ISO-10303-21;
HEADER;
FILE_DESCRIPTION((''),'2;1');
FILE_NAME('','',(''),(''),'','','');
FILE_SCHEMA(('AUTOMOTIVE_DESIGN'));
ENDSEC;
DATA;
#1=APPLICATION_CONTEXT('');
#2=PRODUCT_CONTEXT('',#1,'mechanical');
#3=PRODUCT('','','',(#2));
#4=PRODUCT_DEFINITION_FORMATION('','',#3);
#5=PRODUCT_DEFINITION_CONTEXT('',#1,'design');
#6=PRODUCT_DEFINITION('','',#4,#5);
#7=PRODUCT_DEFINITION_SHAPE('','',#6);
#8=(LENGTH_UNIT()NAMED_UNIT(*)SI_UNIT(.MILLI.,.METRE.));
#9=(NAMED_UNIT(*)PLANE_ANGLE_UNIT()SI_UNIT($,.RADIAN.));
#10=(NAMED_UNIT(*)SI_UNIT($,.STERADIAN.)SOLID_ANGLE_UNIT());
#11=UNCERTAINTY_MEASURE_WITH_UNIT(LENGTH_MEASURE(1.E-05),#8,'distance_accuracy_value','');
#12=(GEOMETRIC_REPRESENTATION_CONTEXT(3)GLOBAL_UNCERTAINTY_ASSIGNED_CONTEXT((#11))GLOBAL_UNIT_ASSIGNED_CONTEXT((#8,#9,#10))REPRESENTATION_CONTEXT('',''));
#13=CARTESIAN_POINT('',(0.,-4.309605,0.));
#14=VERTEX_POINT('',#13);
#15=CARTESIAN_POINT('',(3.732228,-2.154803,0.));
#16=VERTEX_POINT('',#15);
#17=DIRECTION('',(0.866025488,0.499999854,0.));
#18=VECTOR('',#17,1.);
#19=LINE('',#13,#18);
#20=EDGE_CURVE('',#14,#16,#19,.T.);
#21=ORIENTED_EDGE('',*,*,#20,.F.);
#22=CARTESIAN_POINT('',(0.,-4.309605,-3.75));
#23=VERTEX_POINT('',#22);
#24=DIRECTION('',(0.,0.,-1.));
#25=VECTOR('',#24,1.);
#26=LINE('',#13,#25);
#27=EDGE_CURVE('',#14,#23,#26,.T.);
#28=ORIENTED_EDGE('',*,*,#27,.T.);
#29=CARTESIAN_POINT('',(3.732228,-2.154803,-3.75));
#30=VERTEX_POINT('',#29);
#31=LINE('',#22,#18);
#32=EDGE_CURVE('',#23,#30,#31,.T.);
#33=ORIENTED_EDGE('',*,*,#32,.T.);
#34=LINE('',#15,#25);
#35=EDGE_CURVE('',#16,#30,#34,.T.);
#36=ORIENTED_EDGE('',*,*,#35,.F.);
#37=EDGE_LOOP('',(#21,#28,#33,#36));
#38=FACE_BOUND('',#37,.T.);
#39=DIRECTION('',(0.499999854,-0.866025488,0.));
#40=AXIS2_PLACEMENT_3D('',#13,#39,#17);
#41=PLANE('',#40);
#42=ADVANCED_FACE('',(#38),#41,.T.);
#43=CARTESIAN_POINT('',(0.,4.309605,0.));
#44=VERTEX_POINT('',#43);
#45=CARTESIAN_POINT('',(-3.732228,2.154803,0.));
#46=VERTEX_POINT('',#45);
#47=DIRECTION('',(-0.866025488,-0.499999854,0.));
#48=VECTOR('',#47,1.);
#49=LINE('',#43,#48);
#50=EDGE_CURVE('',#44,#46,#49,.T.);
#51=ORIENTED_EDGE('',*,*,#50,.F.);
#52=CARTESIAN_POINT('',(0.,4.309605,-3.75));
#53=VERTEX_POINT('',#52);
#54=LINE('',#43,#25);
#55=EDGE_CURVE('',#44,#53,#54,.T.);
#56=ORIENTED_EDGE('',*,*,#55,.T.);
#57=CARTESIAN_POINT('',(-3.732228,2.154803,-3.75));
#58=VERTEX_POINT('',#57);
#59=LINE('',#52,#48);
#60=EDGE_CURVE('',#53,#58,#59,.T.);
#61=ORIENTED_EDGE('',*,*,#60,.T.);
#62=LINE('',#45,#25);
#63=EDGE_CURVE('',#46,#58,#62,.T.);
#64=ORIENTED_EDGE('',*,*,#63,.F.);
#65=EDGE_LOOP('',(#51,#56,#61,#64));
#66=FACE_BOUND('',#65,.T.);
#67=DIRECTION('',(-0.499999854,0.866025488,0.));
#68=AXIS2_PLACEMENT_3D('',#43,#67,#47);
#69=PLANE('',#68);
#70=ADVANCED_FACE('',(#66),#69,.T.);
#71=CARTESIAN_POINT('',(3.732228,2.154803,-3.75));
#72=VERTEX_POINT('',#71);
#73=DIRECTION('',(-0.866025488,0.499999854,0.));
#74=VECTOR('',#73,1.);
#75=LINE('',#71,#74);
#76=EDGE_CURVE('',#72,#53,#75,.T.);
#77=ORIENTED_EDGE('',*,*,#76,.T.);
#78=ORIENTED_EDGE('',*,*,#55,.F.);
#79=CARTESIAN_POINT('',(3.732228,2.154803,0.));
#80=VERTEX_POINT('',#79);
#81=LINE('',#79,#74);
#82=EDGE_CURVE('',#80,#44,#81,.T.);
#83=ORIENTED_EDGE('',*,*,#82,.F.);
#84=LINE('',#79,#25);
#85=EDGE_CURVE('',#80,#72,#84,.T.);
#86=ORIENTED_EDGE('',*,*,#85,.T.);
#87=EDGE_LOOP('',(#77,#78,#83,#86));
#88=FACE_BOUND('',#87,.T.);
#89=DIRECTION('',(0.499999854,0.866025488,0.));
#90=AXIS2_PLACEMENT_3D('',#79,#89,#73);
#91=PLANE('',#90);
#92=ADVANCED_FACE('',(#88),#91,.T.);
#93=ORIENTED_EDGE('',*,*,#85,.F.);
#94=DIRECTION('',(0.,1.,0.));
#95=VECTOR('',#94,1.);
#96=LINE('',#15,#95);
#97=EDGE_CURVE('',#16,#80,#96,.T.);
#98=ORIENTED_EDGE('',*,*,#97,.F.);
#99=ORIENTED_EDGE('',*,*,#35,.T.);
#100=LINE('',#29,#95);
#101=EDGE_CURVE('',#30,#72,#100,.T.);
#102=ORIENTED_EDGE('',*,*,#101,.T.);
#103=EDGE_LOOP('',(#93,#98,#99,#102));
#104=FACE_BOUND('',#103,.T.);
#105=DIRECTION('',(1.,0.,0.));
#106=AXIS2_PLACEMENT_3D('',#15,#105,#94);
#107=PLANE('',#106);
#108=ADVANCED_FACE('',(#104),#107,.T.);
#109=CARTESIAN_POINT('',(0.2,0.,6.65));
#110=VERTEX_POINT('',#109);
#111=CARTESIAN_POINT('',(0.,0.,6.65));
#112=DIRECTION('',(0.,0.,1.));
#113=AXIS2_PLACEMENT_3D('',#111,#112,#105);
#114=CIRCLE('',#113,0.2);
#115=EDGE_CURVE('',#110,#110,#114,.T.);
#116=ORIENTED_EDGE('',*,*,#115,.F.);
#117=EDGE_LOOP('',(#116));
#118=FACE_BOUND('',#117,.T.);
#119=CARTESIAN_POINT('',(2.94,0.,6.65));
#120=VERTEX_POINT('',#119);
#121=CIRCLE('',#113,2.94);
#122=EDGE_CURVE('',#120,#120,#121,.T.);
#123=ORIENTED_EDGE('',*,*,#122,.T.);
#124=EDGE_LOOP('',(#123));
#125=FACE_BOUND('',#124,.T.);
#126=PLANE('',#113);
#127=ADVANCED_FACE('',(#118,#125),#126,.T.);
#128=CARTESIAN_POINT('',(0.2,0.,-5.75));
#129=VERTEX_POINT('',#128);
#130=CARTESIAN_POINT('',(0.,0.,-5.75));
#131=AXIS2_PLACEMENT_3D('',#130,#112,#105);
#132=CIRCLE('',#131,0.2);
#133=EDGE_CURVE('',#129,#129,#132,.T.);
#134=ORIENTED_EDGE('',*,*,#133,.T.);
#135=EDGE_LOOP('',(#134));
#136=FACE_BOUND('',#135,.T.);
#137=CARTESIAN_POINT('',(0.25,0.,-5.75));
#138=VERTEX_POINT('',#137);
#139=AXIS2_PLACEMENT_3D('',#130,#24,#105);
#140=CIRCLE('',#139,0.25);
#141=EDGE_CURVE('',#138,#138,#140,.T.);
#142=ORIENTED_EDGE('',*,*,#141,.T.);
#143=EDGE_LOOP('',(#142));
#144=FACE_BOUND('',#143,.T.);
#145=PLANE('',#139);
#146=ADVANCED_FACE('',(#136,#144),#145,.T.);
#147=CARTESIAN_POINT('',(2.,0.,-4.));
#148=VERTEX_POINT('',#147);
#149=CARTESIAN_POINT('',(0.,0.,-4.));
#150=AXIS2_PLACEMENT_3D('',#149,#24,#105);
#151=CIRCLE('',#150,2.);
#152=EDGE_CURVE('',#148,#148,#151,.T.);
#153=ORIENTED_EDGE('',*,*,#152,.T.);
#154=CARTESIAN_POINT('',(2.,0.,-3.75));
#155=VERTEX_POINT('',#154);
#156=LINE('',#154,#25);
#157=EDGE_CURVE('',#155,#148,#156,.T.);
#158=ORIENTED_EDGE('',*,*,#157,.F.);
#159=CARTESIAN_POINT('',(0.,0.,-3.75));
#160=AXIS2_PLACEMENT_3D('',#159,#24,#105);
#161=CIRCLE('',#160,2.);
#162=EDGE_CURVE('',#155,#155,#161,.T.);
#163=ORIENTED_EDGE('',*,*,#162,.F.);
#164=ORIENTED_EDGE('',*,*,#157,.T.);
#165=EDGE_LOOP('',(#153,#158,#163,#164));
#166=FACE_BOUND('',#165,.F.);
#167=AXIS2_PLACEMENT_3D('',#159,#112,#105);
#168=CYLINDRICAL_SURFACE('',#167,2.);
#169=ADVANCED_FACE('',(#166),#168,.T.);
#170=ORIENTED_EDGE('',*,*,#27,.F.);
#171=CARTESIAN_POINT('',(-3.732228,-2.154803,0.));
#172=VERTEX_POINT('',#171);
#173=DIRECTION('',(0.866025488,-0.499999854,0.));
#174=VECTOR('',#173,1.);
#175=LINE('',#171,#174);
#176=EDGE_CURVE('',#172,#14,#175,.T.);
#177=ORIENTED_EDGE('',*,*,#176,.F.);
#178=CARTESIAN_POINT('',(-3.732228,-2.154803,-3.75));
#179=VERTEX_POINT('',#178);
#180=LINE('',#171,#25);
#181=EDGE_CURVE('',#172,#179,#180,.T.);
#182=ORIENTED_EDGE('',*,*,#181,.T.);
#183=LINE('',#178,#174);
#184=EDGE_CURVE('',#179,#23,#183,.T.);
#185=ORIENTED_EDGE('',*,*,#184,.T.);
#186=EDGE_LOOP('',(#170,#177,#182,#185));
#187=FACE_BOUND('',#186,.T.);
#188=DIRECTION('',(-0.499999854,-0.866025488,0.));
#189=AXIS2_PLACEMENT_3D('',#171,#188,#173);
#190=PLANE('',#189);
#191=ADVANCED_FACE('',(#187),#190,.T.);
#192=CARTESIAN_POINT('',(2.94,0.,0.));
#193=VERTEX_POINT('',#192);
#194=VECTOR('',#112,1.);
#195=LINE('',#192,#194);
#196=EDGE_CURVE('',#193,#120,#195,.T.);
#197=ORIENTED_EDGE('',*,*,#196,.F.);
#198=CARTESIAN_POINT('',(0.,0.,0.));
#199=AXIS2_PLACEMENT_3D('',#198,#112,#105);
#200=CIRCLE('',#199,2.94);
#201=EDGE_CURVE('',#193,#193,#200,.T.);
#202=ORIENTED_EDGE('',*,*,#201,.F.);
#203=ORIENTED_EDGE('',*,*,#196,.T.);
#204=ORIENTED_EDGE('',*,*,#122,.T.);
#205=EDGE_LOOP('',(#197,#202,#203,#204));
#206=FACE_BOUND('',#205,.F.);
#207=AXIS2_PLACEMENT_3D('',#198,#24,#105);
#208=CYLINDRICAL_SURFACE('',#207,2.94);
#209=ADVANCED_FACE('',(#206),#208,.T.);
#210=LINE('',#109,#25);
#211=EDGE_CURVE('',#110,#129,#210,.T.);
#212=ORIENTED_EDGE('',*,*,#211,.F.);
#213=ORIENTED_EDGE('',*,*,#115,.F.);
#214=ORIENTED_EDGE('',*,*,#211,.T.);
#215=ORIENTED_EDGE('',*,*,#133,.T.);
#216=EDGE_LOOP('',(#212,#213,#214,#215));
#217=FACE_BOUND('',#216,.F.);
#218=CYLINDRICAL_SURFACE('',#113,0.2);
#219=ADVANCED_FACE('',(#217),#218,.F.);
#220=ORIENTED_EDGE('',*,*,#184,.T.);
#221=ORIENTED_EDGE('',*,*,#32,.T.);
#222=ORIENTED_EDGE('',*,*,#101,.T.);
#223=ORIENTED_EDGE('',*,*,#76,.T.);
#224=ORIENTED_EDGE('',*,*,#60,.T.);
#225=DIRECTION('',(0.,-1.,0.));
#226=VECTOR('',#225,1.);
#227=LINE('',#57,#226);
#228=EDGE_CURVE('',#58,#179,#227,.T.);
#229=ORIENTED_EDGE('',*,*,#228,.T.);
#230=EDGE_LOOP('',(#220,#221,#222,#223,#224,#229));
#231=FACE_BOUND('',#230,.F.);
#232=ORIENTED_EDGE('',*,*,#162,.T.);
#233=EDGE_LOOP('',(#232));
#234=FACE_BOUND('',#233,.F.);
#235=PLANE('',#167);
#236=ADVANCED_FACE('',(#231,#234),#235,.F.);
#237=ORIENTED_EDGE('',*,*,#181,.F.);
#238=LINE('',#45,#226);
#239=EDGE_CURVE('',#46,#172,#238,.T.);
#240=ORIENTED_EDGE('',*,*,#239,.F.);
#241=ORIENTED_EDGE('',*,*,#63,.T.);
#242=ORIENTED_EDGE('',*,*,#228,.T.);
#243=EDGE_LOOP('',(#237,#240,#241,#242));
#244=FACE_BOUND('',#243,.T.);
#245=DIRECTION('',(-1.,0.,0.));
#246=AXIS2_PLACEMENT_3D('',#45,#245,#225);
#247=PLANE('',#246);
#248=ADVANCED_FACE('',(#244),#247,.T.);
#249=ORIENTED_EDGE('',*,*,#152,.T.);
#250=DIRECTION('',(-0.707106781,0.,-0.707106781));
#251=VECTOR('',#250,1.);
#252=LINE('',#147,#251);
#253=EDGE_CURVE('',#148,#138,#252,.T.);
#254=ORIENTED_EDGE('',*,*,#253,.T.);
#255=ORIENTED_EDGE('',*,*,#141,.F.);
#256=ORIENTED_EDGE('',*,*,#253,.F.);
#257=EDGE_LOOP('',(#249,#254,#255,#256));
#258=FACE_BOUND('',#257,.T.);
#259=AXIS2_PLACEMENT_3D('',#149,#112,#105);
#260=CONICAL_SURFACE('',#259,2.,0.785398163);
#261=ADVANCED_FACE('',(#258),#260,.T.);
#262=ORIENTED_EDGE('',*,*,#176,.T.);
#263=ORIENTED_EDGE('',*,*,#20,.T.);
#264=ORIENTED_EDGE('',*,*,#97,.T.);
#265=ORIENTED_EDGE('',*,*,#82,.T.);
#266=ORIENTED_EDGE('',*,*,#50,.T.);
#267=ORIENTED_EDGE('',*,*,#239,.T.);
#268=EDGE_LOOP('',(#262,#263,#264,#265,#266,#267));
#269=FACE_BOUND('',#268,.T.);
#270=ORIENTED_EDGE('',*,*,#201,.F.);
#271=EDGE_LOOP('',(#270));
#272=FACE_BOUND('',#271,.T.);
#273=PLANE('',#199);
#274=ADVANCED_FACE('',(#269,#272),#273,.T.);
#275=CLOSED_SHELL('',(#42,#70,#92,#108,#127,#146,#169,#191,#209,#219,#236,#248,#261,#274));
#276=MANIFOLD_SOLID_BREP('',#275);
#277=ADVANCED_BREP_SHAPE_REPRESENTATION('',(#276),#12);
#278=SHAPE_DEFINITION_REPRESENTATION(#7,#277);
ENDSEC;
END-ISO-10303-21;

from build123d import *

# Parameters (mm, degrees)
F1_DEPTH = 3.75
F2_R     = 2.94
F3_DEPTH = 6.65
F4_R     = 2
F5_DEPTH = 2
F6_SIZE  = 1.75
F7_R     = 0.2
F8_DEPTH = 12.4


with BuildPart() as f1:
    # F0 (on Top) → F1 (new body)
    with BuildSketch(Plane.XY):
        Polygon((3.732228, -2.154803), (3.732228, 2.154803), (0, 4.309605), (-3.732228, 2.154803), (-3.732228, -2.154803), (0, -4.309605), align=None)
    extrude(amount=-F1_DEPTH)

    # F2 (on face) → F3 (join)
    with BuildSketch(Plane.XY):
        Circle(F2_R)
    extrude(amount=F3_DEPTH)

    # F4 (on face) → F5 (join)
    with BuildSketch(Plane(origin=(0, 0, -3.75), x_dir=(1, 0, 0), z_dir=(0, 0, -1))):
        Circle(F4_R)
    extrude(amount=F5_DEPTH)

    # F6
    f6_edges = [f1.edges().sort_by_distance(p)[0] for p in [
        (-2, 0, -5.75),
    ]]
    chamfer(f6_edges, length=F6_SIZE)

    # F7 (on face) → F8 (cut, through all)
    with BuildSketch(Plane.XY.offset(6.65)):
        Circle(F7_R)
    extrude(amount=-F8_DEPTH, mode=Mode.SUBTRACT)


solid = f1.part
